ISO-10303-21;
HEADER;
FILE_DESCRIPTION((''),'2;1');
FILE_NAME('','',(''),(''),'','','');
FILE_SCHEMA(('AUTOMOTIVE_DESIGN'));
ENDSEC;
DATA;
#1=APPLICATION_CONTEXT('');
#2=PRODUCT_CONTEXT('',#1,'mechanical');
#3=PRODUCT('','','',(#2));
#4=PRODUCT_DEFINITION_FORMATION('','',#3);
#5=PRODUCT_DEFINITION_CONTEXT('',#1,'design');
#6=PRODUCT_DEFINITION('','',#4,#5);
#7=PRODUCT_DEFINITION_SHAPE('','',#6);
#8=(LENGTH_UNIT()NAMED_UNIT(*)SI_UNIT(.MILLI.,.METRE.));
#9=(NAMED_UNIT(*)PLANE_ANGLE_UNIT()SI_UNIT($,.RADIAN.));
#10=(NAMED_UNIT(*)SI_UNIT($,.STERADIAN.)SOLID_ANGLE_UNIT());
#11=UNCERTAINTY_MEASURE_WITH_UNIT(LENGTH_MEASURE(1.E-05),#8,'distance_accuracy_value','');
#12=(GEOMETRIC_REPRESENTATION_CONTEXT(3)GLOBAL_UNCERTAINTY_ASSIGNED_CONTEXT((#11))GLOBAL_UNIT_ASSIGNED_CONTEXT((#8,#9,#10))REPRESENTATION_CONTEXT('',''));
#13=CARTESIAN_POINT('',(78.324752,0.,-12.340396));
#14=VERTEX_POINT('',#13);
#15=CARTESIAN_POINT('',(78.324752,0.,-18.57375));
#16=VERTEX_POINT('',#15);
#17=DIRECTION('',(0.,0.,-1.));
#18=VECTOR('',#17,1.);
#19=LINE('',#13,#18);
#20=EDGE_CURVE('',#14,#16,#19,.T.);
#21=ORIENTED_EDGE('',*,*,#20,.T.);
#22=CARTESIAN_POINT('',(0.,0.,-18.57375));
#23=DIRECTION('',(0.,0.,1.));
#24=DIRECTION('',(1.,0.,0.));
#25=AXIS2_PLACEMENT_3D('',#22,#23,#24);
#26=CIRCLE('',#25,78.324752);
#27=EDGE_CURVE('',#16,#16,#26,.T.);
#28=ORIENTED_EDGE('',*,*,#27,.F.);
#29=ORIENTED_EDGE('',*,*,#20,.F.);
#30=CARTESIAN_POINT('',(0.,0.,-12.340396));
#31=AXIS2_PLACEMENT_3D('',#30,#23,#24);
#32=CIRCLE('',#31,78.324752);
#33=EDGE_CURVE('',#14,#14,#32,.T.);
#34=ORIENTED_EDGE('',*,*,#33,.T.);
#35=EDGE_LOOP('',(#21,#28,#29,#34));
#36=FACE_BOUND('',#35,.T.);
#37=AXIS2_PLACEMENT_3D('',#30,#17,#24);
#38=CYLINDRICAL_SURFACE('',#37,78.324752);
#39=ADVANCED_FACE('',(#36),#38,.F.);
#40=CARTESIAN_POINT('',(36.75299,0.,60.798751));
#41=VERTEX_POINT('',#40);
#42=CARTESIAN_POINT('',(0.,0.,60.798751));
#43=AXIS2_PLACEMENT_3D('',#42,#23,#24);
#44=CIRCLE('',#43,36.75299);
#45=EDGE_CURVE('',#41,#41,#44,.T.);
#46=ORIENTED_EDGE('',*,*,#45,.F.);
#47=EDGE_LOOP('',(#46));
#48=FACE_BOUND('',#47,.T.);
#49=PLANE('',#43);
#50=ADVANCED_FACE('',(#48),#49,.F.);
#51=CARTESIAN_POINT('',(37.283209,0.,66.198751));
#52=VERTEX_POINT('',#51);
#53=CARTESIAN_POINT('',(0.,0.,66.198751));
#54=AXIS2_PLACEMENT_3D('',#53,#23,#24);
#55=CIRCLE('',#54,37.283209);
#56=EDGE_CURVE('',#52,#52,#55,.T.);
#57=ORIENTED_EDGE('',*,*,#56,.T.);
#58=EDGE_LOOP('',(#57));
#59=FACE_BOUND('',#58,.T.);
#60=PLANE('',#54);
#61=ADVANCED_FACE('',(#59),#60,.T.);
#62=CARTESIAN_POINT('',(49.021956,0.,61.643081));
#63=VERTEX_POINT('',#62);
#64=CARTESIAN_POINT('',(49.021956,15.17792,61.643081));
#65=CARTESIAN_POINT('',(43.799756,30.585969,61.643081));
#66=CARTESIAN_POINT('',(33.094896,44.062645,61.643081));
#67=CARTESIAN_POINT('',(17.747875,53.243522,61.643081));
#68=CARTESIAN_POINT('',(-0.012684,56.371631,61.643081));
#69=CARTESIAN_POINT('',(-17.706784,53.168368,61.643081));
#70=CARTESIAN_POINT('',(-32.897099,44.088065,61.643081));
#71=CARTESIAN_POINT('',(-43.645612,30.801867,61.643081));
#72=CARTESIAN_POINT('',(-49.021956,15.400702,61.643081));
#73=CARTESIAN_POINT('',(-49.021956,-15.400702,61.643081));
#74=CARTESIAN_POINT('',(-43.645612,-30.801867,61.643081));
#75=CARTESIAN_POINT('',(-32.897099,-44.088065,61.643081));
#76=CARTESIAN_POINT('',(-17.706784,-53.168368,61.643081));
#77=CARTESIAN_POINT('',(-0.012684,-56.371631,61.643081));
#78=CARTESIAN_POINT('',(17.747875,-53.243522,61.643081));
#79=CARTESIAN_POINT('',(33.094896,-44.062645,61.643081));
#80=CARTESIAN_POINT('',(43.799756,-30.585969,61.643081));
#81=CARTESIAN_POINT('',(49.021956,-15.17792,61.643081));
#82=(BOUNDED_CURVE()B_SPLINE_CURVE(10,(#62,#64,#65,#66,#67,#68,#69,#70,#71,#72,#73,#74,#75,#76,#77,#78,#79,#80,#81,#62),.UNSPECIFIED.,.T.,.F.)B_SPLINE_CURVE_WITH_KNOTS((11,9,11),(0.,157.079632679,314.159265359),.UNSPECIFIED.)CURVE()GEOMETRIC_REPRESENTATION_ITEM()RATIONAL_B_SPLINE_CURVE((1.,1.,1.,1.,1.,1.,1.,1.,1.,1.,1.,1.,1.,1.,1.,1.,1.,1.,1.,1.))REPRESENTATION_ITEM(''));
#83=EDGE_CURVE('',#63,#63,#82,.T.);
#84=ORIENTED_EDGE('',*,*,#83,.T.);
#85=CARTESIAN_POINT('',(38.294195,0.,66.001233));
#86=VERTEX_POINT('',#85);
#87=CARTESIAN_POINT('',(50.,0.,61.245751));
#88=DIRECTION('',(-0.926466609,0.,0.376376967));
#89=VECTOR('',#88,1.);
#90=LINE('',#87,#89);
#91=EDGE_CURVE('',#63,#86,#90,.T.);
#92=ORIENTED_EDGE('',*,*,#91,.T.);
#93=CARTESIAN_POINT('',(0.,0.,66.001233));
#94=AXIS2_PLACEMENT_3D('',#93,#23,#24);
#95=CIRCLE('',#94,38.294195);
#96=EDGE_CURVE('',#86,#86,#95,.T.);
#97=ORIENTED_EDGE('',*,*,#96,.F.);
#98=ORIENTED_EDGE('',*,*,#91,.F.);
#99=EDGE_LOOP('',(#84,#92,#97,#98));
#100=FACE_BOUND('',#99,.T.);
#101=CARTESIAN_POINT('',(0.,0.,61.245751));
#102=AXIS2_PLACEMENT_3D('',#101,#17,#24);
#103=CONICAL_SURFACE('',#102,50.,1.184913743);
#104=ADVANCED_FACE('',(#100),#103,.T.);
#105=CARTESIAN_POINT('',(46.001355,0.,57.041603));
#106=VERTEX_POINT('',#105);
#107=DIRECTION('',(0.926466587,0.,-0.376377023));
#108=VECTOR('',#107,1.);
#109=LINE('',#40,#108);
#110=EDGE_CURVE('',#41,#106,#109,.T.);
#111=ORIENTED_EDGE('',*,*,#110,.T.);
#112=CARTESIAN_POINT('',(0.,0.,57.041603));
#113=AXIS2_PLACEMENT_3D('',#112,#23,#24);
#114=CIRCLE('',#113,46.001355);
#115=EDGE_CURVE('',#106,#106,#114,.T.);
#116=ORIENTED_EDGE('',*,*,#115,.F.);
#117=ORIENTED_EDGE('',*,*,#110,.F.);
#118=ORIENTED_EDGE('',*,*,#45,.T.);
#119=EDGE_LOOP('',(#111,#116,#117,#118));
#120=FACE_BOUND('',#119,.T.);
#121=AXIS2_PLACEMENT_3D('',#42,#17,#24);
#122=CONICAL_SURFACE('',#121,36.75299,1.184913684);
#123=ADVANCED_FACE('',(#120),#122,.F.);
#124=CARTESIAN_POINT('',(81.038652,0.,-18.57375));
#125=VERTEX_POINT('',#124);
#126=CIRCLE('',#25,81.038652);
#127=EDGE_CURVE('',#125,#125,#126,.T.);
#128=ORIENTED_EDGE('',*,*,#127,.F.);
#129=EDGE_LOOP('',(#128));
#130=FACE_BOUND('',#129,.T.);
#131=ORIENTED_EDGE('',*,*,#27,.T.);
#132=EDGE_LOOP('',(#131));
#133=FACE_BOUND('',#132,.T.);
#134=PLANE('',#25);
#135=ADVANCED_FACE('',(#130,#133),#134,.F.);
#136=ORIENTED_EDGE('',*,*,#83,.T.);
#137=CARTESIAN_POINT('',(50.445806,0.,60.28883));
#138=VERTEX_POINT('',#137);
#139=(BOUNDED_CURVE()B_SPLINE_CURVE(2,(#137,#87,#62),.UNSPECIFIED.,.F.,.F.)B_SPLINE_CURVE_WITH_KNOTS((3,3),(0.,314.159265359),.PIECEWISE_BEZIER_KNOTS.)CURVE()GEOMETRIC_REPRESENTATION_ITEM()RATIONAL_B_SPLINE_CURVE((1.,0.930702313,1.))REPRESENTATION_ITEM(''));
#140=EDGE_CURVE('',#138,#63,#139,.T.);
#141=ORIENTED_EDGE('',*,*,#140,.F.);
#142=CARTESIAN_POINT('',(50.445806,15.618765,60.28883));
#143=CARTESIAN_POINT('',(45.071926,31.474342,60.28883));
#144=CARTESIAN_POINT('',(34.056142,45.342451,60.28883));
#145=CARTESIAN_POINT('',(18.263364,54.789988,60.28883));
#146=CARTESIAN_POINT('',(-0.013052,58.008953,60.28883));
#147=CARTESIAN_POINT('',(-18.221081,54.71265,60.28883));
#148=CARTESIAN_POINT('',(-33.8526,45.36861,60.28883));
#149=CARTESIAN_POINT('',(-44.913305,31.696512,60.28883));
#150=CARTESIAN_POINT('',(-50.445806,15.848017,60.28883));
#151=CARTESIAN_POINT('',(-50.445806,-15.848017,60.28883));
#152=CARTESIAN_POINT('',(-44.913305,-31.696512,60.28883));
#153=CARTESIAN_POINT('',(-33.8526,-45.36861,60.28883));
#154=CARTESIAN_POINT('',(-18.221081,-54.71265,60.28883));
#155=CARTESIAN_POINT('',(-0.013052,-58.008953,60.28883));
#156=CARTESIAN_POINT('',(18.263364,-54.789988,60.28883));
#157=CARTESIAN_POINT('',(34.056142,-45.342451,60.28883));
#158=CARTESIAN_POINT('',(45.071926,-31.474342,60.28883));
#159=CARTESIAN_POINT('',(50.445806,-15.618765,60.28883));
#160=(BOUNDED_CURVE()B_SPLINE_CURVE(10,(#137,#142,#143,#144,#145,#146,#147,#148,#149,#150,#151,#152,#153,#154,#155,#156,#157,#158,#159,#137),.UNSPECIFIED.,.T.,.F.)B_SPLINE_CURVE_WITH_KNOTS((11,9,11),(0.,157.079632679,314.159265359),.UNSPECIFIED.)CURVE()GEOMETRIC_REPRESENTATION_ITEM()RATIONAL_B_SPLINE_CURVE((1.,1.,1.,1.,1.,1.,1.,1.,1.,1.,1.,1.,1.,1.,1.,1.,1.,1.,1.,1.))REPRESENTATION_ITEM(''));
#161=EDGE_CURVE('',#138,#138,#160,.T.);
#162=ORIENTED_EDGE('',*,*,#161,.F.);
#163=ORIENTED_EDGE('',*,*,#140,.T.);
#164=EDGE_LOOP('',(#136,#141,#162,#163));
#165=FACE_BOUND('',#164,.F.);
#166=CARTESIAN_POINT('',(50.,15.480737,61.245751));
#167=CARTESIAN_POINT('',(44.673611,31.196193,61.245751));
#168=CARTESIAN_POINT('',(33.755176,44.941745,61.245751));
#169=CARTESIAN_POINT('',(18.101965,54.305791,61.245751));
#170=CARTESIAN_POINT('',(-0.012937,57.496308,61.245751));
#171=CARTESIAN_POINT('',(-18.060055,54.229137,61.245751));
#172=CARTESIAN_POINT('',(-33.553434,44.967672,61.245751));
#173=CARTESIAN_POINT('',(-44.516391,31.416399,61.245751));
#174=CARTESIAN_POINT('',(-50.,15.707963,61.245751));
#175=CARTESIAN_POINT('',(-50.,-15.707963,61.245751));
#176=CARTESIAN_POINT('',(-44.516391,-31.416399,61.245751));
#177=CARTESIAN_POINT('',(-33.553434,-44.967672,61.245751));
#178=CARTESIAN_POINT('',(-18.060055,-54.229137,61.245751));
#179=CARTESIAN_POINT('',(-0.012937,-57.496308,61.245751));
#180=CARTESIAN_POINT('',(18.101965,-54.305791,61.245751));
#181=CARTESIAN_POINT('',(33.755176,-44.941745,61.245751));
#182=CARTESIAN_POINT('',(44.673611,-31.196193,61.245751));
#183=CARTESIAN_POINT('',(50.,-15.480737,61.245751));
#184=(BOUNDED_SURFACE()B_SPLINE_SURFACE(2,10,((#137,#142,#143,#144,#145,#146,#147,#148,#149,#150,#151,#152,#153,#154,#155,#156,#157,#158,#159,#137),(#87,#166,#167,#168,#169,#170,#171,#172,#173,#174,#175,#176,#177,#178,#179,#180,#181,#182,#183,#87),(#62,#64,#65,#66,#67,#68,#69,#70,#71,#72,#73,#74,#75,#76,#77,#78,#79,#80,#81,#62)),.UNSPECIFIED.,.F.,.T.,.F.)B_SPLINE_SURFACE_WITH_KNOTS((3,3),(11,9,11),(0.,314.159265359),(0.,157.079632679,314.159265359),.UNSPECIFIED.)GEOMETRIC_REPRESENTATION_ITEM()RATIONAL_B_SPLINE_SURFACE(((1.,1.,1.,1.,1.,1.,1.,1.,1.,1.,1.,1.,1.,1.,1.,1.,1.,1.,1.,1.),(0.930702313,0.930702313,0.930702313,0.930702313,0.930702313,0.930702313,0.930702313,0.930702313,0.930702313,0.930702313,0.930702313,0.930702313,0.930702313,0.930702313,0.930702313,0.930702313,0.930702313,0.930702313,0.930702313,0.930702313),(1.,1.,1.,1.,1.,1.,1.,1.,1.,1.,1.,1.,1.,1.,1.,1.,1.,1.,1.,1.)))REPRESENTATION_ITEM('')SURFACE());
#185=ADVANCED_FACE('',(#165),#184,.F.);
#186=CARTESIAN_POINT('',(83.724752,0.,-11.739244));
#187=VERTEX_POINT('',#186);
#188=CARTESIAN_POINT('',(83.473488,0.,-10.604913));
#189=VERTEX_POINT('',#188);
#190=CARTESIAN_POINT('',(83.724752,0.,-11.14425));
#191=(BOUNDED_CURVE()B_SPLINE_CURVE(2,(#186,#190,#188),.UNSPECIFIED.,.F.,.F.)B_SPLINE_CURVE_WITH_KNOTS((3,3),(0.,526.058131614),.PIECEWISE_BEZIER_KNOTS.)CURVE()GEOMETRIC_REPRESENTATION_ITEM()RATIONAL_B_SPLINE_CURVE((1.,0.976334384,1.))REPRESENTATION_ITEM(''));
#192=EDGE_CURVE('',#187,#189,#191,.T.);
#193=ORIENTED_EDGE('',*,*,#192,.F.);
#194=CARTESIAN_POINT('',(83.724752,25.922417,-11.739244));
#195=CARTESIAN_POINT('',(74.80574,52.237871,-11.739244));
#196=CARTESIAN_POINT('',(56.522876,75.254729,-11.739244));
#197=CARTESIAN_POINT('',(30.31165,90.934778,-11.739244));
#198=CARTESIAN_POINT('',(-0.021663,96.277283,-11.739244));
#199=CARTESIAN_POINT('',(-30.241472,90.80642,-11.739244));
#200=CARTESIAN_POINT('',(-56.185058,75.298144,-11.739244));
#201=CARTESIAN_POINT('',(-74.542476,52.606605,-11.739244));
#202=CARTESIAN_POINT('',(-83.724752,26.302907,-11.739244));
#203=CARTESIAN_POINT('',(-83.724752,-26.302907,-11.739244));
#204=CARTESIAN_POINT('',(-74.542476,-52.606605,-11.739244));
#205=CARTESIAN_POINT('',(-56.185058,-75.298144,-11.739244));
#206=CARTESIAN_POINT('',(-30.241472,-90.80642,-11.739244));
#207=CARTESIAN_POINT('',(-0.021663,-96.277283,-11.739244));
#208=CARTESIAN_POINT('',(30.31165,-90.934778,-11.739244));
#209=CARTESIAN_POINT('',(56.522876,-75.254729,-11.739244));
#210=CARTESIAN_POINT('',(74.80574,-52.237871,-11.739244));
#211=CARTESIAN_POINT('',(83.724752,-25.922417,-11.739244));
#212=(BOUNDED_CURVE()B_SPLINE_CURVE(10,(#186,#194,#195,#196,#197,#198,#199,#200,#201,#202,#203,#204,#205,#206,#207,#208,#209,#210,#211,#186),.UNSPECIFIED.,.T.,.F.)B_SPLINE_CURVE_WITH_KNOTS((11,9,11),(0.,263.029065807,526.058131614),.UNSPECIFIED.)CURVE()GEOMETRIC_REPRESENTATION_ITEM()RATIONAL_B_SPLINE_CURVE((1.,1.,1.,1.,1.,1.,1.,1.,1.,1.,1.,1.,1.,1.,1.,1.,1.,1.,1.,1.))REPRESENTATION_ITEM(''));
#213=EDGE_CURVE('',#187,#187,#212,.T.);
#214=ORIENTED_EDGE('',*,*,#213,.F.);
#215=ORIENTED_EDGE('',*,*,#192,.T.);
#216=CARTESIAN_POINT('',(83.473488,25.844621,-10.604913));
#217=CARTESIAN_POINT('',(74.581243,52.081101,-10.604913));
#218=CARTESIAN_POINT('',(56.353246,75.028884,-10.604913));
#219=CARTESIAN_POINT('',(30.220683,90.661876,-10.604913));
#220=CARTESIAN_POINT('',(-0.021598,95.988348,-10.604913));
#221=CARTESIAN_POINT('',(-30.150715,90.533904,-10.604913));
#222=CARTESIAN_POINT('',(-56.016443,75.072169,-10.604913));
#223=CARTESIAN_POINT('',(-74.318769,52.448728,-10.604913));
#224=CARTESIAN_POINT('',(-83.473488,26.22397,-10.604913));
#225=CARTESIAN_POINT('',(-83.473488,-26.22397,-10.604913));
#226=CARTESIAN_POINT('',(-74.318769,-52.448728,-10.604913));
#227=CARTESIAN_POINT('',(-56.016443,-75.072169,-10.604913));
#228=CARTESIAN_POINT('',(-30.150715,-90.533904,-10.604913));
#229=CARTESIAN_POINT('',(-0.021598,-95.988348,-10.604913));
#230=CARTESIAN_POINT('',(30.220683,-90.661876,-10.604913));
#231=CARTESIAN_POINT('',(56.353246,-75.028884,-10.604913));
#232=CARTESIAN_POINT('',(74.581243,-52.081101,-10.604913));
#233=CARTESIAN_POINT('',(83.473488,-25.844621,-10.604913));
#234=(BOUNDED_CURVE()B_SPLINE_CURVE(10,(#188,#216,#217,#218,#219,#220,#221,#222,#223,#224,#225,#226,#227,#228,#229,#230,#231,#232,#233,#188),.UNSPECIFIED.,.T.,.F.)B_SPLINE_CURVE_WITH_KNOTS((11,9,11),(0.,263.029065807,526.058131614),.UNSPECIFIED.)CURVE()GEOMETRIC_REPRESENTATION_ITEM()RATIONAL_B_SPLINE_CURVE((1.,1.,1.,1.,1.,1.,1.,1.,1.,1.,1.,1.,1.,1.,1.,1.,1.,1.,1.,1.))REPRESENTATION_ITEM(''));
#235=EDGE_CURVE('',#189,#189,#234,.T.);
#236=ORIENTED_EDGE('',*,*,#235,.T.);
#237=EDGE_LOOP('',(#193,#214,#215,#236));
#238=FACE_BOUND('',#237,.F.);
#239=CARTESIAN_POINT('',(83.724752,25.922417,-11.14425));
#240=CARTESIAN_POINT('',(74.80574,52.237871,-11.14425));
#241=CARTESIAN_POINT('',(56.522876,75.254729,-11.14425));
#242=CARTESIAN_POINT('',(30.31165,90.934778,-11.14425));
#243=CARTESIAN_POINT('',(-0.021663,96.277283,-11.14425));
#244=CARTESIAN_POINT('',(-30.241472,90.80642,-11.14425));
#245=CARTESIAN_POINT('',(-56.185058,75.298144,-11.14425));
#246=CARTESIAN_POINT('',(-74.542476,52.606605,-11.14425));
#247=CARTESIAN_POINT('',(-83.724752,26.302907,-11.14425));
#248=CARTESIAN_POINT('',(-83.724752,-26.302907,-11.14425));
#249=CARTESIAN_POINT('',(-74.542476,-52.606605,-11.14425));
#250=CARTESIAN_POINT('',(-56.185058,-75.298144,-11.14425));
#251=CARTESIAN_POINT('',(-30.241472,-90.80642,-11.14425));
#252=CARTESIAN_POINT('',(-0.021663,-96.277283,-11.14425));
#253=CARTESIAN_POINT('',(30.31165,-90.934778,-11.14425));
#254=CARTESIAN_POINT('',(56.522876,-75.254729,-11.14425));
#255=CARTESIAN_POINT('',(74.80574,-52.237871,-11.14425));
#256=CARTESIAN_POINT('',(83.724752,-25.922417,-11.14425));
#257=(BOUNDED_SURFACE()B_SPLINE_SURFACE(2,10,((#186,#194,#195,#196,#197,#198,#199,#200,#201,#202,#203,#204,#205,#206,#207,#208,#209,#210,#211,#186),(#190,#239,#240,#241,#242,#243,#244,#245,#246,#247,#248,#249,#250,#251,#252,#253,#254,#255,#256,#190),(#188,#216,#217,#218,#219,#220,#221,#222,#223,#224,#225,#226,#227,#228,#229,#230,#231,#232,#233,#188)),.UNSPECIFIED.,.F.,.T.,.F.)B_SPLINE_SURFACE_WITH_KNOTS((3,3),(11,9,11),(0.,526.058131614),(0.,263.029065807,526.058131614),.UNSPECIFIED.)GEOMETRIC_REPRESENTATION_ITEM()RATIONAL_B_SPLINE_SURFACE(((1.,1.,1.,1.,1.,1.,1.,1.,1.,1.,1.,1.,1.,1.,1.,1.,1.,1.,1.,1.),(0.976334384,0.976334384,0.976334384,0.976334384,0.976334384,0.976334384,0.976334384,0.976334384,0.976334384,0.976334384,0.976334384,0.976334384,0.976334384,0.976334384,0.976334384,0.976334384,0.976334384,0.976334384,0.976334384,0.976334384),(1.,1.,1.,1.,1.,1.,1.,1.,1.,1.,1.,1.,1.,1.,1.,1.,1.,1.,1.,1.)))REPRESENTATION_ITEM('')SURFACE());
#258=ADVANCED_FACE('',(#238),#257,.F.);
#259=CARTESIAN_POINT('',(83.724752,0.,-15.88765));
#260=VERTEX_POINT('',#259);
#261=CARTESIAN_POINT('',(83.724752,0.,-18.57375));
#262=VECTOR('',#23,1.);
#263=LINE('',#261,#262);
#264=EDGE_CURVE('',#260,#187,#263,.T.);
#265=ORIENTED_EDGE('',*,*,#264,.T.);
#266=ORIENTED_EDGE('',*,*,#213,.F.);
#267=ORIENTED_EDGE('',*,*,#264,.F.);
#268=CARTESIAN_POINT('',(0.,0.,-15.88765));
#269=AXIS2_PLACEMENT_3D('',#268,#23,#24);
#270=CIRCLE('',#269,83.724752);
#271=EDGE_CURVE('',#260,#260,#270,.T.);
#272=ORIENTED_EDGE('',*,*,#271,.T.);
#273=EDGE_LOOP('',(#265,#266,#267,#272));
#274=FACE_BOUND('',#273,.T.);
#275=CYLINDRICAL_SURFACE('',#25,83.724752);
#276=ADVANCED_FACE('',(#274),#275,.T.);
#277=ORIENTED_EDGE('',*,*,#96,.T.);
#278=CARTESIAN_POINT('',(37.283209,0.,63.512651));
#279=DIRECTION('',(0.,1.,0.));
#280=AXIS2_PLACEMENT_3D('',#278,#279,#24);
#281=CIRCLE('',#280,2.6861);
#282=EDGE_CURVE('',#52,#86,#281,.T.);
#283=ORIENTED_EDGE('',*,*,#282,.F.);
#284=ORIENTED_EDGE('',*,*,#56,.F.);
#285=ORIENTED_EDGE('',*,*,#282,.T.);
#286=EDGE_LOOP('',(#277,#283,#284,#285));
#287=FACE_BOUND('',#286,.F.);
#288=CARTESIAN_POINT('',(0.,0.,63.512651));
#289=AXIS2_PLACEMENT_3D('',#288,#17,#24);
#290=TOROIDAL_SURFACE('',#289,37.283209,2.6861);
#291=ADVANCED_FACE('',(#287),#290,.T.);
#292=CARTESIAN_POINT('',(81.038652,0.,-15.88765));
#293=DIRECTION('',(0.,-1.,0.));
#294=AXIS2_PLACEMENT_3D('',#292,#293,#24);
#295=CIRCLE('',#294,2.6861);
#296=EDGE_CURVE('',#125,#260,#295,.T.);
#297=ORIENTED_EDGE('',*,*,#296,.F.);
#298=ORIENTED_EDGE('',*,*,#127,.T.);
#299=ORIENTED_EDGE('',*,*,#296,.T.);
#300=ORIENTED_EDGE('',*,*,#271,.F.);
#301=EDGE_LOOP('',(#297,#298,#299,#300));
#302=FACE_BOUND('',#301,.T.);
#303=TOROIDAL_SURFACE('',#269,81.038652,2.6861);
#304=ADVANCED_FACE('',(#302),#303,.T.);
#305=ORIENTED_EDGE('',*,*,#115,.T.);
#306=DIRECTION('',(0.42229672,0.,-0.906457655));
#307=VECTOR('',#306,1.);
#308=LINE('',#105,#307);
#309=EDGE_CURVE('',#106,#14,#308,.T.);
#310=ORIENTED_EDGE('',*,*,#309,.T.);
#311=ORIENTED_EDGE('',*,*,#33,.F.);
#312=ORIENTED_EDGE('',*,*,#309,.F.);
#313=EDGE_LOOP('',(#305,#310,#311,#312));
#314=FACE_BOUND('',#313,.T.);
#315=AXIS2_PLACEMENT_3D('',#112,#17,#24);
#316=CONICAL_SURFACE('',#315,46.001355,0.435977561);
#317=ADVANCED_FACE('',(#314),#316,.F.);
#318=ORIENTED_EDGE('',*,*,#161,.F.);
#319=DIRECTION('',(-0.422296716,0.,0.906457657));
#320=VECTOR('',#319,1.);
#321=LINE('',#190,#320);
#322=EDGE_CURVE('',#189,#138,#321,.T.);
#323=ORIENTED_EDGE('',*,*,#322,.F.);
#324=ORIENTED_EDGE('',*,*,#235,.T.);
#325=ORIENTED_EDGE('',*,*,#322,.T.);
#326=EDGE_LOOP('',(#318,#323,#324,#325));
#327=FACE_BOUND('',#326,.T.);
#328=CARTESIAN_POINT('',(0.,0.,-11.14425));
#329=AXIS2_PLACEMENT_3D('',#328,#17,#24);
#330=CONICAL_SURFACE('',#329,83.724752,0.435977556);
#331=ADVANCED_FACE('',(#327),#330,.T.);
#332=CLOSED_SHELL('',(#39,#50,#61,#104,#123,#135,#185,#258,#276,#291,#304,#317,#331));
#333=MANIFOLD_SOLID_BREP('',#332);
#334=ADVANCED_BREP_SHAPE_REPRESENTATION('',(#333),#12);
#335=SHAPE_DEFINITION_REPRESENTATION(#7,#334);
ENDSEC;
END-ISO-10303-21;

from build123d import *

# Parameters (mm, degrees)
F2_R = 2.6861


with BuildPart() as f1:
    # F0 (on Front) → F1 (revolve)
    with BuildSketch(Plane.XZ):
        Polygon((37.807997, 66.198751), (0, 66.198751), (0, 60.798751), (5.4, 60.798751), (36.75299, 60.798751), (46.001355, 57.041603), (78.324752, -12.340396), (78.324752, -13.17375), (78.324752, -18.57375), (83.724752, -18.57375), (83.724752, -11.14425), (50, 61.245751), align=None)
    revolve(axis=Axis((0, 0, 63.498751), (0, 0, 1)))

    # F2
    f2_edges = [f1.edges().sort_by_distance(p)[0] for p in [
        (-83.724752, 0, -18.57375),
        (-83.724752, 0, -11.14425),
        (83.724752, 0, -14.859),
        (-50, 0, 61.245751),
        (-37.807997, 0, 66.198751),
        (43.903998, 0, 63.722251),
        (66.862376, 0, 25.05075),
    ]]
    fillet(f2_edges, radius=F2_R)


solid = f1.part
